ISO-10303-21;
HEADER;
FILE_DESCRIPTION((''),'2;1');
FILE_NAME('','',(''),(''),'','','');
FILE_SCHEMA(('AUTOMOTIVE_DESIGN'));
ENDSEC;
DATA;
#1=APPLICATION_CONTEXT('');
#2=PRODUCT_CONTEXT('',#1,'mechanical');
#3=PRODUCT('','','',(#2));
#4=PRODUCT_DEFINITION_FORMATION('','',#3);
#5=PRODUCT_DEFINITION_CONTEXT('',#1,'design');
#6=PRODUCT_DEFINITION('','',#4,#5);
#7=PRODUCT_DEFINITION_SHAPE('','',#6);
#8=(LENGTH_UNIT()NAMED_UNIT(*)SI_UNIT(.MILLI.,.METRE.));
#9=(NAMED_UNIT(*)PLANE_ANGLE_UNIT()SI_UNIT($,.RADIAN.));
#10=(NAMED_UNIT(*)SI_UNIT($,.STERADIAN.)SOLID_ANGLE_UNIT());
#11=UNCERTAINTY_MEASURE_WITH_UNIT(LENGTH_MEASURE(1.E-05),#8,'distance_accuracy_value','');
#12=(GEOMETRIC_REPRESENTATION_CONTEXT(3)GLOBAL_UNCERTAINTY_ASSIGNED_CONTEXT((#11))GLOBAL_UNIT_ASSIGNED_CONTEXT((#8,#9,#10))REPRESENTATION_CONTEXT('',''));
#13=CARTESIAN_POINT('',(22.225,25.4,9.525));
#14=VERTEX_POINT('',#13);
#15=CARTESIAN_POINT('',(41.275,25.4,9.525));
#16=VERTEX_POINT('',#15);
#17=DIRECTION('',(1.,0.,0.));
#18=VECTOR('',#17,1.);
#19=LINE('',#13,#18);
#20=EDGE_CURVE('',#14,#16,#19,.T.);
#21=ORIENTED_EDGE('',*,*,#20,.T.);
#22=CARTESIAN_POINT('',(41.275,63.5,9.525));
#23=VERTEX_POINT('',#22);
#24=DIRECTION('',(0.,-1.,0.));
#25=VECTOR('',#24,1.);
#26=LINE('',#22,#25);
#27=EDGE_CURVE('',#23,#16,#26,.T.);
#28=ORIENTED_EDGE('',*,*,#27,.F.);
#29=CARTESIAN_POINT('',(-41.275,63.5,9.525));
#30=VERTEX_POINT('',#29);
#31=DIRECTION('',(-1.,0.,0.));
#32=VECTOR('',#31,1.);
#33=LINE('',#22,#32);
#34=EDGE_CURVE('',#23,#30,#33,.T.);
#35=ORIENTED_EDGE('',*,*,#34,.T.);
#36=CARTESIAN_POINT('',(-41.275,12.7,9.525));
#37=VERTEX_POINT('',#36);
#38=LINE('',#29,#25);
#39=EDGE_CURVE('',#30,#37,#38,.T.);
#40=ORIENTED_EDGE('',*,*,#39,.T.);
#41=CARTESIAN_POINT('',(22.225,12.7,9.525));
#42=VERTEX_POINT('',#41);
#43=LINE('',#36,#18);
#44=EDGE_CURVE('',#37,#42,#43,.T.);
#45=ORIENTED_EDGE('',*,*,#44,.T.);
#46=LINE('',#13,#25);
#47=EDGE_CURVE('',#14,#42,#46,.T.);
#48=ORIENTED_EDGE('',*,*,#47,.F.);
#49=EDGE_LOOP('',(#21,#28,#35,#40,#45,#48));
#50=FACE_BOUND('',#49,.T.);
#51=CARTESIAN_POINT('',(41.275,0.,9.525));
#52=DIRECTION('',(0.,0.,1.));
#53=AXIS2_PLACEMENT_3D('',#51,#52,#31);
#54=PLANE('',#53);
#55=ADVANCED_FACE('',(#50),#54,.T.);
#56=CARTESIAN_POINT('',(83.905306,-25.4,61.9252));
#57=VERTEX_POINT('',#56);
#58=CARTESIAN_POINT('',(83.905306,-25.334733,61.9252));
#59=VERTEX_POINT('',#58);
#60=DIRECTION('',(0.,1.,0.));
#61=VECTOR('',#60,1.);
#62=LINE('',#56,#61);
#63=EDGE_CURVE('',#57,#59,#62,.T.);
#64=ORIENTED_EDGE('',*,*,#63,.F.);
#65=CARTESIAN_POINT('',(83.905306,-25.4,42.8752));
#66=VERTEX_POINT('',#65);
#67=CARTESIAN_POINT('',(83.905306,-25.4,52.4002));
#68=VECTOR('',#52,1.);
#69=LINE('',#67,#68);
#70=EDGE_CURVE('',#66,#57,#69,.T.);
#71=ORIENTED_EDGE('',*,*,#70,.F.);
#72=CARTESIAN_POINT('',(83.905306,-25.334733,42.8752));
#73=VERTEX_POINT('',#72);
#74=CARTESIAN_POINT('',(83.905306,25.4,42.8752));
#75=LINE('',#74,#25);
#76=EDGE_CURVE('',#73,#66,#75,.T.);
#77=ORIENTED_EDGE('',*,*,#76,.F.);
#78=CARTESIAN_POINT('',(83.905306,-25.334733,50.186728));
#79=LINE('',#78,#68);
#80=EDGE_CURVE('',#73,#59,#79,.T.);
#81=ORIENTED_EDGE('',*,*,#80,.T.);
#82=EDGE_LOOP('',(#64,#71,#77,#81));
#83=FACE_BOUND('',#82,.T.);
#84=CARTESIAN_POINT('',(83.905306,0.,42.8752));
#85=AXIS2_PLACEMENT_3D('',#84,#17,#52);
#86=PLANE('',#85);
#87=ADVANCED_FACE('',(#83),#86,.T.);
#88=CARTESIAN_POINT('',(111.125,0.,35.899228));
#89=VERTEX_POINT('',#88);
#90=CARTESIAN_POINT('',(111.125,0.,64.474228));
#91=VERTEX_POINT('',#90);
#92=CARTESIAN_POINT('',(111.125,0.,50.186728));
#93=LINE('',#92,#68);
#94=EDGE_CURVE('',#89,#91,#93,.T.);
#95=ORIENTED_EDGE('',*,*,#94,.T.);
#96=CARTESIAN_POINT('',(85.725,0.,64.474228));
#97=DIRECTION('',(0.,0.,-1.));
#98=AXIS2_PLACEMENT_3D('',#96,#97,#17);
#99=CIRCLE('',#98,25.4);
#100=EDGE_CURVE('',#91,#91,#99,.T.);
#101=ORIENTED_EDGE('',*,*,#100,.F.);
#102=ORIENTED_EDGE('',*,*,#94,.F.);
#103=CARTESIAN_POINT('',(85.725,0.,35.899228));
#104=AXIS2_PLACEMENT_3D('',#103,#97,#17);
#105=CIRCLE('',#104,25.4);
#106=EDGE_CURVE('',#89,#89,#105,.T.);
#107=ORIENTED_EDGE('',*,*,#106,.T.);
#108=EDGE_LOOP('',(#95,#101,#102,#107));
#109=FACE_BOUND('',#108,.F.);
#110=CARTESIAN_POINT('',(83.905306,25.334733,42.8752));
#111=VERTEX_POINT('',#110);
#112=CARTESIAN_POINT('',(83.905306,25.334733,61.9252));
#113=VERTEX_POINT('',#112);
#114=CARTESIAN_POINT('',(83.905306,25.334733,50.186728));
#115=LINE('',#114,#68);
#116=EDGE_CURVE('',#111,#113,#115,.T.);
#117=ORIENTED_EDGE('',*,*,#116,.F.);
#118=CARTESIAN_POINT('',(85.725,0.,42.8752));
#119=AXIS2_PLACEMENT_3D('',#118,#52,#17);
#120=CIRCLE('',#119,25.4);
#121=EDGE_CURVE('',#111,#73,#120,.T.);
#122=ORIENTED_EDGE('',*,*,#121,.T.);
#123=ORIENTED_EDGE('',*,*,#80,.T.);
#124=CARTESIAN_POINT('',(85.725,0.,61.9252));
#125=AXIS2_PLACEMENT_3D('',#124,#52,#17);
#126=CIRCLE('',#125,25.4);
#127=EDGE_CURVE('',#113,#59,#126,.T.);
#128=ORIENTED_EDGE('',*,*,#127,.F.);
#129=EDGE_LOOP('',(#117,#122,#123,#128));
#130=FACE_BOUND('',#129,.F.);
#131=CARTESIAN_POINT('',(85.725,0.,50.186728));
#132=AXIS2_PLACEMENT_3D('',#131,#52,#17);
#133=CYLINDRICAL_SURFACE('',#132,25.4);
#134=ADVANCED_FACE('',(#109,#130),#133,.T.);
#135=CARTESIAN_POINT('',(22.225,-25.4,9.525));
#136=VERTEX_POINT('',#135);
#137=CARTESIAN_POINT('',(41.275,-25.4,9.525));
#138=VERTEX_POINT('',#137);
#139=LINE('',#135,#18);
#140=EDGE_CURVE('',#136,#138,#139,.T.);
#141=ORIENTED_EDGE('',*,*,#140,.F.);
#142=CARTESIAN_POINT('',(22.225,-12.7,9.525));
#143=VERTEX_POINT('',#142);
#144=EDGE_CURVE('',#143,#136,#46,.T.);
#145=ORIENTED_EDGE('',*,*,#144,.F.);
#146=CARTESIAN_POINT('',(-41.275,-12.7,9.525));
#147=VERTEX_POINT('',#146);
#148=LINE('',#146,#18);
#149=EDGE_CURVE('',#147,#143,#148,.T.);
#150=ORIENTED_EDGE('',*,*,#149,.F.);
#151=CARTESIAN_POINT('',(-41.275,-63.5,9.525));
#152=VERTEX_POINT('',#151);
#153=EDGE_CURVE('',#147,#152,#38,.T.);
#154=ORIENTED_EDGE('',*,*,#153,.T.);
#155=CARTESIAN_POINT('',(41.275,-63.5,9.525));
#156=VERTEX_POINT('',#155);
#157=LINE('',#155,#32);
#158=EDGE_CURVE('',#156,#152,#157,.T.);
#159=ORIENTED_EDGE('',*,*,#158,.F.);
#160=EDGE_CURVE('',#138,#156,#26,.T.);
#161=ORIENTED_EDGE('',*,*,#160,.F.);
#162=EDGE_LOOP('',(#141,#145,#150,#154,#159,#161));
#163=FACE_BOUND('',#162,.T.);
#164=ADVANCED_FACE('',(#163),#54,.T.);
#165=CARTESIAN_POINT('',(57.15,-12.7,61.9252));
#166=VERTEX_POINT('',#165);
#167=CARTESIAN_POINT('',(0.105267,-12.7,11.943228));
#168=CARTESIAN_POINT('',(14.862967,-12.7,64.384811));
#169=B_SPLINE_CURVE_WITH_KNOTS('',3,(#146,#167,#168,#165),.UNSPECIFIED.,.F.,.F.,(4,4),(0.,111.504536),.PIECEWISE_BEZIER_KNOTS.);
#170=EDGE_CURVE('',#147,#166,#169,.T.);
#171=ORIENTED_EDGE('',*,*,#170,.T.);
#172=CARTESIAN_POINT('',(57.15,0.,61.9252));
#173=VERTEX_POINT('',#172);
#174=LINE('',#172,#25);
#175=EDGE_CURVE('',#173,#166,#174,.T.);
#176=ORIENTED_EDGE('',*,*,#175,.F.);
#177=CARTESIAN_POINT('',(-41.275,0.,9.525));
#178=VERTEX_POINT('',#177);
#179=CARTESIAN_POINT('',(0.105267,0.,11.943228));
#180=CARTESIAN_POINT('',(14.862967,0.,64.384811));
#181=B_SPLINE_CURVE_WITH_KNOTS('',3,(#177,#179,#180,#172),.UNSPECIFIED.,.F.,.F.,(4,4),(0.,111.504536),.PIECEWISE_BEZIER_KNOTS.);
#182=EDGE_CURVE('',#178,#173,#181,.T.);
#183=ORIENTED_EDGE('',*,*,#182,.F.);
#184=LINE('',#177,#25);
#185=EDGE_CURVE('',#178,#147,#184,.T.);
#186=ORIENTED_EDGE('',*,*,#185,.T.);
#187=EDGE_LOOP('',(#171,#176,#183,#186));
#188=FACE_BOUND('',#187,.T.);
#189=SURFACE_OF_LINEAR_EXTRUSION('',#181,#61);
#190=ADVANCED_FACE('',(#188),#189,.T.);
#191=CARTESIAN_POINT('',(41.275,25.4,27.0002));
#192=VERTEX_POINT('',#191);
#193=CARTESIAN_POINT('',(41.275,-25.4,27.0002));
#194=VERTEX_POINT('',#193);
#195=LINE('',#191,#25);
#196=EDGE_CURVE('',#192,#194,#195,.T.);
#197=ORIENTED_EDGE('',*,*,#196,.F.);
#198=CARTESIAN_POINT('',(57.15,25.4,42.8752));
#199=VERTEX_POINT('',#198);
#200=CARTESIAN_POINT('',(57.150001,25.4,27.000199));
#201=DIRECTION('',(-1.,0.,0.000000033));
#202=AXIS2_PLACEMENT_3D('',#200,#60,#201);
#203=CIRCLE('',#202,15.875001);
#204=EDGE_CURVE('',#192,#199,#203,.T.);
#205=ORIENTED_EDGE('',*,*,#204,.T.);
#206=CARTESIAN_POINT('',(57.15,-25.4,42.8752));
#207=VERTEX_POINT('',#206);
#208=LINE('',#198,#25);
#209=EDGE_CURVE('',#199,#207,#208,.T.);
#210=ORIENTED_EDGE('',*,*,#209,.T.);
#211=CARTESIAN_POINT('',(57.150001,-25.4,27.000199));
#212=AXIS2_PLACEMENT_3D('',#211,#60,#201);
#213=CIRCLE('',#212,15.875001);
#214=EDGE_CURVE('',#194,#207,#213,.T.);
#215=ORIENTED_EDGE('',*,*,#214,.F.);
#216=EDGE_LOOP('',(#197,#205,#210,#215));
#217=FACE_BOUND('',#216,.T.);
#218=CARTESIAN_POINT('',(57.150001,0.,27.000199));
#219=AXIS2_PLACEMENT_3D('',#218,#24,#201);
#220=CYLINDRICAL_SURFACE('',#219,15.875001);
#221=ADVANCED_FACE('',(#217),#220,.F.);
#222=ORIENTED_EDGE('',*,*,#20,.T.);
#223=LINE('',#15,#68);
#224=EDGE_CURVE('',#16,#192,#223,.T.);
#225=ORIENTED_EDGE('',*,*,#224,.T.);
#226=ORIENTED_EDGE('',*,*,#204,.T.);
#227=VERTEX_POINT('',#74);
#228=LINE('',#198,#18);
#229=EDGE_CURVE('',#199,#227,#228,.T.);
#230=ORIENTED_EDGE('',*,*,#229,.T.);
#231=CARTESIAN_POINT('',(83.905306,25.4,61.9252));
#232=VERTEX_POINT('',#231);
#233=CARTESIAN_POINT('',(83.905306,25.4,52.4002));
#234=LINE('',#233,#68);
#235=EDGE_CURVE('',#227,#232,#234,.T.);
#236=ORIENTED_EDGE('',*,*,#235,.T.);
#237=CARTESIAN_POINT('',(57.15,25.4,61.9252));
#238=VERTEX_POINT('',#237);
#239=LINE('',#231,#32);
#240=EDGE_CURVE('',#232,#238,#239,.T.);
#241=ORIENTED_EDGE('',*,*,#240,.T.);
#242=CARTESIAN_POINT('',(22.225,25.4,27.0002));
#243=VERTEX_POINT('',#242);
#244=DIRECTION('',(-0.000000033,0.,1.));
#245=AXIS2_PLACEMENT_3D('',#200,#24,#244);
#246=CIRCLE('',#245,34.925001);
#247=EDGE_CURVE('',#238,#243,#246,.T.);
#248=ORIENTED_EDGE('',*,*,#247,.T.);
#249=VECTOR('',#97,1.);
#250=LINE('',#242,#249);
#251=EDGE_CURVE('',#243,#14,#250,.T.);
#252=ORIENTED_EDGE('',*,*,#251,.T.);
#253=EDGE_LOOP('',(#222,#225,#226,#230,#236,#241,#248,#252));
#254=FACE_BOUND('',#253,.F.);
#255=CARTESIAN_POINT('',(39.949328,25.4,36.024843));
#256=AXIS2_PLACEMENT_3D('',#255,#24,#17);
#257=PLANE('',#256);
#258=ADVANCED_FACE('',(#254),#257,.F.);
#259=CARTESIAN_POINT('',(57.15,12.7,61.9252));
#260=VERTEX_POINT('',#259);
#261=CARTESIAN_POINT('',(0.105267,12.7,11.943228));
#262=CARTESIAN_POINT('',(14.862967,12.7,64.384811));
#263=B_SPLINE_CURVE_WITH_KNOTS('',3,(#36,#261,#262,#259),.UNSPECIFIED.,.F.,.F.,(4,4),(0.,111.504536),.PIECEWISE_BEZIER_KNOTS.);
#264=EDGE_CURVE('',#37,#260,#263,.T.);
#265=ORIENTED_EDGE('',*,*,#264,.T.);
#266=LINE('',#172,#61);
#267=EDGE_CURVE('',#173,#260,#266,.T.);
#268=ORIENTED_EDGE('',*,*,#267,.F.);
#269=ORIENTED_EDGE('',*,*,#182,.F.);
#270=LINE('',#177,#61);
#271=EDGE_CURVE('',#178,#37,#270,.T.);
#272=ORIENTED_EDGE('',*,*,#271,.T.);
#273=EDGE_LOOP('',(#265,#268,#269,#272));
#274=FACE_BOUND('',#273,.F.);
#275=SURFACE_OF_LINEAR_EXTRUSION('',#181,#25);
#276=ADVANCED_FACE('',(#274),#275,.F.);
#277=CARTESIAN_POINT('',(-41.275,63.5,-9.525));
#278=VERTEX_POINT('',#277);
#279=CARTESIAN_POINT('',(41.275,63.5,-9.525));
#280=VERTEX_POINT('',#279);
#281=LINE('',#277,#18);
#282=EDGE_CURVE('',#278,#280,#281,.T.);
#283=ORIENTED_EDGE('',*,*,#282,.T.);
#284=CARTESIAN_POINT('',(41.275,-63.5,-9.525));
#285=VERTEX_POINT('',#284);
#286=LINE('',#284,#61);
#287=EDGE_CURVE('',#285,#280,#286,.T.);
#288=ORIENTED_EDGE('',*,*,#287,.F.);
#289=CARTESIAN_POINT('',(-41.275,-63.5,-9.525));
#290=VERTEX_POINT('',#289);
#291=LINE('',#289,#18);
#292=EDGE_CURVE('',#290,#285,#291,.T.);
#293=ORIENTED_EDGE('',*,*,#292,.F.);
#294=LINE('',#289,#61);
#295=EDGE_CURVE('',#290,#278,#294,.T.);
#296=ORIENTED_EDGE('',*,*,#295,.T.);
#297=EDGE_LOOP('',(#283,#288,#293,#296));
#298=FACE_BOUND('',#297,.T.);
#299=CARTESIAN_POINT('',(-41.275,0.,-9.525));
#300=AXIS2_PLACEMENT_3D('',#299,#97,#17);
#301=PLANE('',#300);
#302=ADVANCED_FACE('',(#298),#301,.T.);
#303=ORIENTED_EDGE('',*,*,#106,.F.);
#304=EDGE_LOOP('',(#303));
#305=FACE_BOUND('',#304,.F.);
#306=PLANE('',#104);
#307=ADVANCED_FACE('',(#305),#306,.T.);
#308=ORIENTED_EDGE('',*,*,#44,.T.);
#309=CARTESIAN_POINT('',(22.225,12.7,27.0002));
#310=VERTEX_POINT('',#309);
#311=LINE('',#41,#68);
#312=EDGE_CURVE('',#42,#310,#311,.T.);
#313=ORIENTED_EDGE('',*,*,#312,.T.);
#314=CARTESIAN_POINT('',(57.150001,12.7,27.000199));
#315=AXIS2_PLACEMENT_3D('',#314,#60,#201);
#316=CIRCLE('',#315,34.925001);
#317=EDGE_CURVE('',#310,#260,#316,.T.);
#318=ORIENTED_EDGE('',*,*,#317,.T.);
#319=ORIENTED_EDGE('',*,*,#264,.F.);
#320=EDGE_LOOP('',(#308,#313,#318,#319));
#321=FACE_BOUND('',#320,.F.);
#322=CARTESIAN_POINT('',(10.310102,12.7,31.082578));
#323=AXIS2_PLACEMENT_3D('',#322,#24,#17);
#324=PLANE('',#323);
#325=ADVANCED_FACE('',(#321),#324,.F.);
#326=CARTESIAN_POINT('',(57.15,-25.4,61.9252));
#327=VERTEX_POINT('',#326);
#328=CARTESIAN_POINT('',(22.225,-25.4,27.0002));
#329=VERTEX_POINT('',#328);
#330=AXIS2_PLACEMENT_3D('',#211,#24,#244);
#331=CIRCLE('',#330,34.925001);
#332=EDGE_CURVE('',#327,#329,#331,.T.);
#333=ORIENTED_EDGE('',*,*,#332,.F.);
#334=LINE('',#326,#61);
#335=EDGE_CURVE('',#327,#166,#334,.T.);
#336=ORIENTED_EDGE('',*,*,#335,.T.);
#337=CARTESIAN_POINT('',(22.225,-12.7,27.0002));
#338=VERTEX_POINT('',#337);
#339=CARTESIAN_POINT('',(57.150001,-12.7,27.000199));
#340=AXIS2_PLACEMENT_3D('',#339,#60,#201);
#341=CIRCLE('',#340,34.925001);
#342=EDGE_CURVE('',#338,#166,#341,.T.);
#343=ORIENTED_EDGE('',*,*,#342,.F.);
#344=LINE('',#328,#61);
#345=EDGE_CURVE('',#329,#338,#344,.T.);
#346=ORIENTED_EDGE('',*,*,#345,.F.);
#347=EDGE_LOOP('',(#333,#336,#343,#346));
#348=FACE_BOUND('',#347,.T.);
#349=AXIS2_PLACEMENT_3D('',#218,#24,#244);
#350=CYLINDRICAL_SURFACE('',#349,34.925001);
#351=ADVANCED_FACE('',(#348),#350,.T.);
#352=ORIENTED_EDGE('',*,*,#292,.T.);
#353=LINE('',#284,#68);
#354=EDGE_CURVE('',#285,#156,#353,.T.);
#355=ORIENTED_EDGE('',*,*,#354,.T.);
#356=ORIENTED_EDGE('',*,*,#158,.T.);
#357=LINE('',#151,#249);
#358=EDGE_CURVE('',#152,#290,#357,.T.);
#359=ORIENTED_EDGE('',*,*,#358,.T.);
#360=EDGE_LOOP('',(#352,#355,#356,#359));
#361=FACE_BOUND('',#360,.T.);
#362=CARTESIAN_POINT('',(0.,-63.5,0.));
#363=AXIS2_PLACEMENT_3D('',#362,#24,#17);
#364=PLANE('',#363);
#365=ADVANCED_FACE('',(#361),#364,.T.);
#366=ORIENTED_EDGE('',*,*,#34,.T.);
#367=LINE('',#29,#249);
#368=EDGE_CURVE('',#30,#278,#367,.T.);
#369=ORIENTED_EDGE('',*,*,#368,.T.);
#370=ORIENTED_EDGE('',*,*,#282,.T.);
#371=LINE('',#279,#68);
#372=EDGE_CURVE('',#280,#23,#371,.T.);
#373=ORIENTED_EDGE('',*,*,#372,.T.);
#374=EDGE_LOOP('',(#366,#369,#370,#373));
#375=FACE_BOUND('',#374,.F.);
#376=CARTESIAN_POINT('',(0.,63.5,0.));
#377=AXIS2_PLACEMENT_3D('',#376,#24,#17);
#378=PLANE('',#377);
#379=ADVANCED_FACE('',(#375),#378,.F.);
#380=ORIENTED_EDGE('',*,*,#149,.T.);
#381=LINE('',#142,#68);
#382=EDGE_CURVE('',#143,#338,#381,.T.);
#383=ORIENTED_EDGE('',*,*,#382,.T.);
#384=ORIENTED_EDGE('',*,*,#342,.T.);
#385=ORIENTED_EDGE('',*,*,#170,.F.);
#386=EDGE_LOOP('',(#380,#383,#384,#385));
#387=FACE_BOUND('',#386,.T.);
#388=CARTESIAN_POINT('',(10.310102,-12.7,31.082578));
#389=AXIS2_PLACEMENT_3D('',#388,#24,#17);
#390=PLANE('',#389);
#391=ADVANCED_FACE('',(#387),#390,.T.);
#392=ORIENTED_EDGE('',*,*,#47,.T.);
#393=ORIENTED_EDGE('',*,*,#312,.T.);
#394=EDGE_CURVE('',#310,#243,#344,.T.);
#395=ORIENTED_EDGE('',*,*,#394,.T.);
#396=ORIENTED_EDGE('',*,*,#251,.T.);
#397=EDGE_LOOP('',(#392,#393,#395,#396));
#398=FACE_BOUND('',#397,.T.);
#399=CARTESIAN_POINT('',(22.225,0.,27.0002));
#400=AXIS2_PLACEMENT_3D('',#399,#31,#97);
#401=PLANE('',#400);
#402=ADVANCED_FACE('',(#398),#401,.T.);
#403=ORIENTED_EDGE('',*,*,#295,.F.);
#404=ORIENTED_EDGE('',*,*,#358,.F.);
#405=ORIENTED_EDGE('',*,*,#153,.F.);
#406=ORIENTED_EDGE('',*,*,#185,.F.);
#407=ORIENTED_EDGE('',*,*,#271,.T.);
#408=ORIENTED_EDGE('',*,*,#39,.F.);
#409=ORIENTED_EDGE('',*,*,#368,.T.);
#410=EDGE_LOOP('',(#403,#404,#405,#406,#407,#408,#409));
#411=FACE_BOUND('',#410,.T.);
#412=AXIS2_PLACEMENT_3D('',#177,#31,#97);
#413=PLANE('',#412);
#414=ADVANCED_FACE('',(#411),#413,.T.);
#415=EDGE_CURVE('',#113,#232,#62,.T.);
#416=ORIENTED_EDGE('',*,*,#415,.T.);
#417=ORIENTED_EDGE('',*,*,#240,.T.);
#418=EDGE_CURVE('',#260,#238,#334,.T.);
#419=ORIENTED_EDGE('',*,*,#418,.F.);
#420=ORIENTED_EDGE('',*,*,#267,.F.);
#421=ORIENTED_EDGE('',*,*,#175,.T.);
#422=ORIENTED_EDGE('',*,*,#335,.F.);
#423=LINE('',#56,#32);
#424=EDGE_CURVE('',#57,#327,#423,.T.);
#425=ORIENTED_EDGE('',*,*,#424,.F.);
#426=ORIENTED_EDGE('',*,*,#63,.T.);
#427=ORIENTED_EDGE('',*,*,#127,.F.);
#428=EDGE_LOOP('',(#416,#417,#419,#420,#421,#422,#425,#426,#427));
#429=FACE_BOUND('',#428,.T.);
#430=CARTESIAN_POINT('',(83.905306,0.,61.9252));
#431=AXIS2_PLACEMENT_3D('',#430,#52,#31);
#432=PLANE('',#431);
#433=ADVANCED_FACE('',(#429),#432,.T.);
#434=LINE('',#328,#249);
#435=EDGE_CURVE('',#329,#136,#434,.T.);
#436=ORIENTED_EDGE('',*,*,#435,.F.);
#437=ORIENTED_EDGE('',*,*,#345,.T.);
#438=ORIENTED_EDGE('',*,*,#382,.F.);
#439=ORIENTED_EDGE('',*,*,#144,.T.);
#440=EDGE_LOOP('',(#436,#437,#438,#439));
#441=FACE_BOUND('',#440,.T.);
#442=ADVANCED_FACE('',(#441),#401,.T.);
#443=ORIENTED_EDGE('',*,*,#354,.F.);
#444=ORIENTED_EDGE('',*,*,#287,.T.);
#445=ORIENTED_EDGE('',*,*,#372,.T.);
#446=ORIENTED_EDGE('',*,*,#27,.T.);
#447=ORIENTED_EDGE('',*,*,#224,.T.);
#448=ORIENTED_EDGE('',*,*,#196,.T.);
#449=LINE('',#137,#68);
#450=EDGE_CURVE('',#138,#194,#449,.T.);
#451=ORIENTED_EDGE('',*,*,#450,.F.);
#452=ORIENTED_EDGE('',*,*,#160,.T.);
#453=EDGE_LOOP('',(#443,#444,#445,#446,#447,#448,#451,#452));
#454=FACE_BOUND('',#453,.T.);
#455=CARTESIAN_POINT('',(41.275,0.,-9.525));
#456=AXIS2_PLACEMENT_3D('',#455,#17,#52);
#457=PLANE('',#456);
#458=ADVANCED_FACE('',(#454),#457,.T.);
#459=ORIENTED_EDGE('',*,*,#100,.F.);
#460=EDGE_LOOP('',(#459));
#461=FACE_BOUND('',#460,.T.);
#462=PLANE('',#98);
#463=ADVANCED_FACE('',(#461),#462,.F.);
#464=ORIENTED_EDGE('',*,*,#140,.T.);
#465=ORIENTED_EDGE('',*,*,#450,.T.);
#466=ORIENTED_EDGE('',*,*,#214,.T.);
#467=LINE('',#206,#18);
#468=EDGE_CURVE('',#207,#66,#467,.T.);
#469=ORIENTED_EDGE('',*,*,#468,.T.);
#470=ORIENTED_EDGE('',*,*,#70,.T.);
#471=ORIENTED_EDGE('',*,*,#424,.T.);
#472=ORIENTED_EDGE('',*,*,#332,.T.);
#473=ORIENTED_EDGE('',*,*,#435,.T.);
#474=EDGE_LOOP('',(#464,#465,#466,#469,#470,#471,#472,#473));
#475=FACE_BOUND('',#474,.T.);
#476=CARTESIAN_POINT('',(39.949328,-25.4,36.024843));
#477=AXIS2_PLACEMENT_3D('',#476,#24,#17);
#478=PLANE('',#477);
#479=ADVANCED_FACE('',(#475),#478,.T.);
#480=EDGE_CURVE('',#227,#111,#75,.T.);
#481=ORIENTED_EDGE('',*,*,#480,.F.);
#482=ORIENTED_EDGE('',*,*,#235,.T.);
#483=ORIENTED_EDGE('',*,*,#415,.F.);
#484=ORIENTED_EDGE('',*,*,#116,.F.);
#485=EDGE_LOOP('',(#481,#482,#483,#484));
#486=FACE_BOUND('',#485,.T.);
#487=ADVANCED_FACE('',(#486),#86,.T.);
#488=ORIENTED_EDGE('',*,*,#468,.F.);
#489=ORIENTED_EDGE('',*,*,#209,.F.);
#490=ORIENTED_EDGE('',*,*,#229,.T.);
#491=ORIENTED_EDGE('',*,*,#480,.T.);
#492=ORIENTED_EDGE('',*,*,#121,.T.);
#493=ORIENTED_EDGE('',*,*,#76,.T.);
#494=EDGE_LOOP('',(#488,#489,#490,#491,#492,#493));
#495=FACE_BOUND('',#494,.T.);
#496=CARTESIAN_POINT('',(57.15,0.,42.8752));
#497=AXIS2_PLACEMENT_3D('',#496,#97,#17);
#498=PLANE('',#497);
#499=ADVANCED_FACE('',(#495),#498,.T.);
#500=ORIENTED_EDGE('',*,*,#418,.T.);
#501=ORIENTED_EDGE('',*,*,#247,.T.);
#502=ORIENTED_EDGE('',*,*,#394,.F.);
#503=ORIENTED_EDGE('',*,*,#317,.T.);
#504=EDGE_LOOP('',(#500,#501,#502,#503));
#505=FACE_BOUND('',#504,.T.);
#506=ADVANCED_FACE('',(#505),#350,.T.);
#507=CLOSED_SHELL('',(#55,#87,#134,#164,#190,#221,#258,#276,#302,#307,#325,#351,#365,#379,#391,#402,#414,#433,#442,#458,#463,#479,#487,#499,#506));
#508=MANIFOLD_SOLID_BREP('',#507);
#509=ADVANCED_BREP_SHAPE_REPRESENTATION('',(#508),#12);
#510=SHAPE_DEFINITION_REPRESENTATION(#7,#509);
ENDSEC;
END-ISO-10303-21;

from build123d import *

# Parameters (mm, degrees)
F1_DEPTH = 63.5
F2_DEPTH = 12.7
F0_W     = 23.580307
F0_H     = 19.05
F3_DEPTH = 25.4
F0_W_2   = 25.4
F0_H_2   = 28.575


with BuildPart() as f1:
    # F0 (on Front) → F1 (new body, symmetric)
    with BuildSketch(Plane.XZ):
        Polygon((41.275, -9.525), (41.275, 9.525), (22.225, 9.525), (-41.275, 9.525), (-41.275, -9.525), align=None)
    extrude(amount=F1_DEPTH, both=True)

    # F0 (on Front) → F2 (join, symmetric)
    with BuildSketch(Plane.XZ):
        with BuildLine():
            Line((-41.275, 9.525), (22.225, 9.525))
            Line((22.225, 9.525), (22.225, 27.0002))
            ThreePointArc((22.225, 27.0002), (32.454296, 51.695904), (57.15, 61.9252))
            add(Edge.make_bspline(
                [(-41.275, 9.525), (0.105267, 11.943228), (14.862967, 64.384811), (57.15, 61.9252)],
                knots=[0, 0, 0, 0, 111.504536, 111.504536, 111.504536, 111.504536], degree=3))
        make_face()
    extrude(amount=F2_DEPTH, both=True)

    # F0 (on Front) → F3 (join, symmetric)
    with BuildSketch(Plane.XZ):
        with BuildLine():
            Line((22.225, 9.525), (41.275, 9.525))
            Line((41.275, 9.525), (41.275, 27.0002))
            ThreePointArc((41.275, 27.0002), (45.92468, 38.22552), (57.15, 42.8752))
            Line((57.15, 42.8752), (60.325, 42.8752))
            Line((60.325, 42.8752), (60.325, 61.9252))
            Line((60.325, 61.9252), (57.15, 61.9252))
            ThreePointArc((57.15, 61.9252), (32.454296, 51.695904), (22.225, 27.0002))
            Line((22.225, 27.0002), (22.225, 9.525))
        make_face()
        with Locations((72.115153, 52.4002)):
            Rectangle(F0_W, F0_H)
    extrude(amount=F3_DEPTH, both=True)

    # F0 (on Front) → F4 (revolve)
    with BuildSketch(Plane.XZ):
        with Locations((98.425, 50.186728)):
            Rectangle(F0_W_2, F0_H_2)
    revolve(axis=Axis((85.725, 0, 50.186728), (0, 0, -1)))


solid = f1.part
